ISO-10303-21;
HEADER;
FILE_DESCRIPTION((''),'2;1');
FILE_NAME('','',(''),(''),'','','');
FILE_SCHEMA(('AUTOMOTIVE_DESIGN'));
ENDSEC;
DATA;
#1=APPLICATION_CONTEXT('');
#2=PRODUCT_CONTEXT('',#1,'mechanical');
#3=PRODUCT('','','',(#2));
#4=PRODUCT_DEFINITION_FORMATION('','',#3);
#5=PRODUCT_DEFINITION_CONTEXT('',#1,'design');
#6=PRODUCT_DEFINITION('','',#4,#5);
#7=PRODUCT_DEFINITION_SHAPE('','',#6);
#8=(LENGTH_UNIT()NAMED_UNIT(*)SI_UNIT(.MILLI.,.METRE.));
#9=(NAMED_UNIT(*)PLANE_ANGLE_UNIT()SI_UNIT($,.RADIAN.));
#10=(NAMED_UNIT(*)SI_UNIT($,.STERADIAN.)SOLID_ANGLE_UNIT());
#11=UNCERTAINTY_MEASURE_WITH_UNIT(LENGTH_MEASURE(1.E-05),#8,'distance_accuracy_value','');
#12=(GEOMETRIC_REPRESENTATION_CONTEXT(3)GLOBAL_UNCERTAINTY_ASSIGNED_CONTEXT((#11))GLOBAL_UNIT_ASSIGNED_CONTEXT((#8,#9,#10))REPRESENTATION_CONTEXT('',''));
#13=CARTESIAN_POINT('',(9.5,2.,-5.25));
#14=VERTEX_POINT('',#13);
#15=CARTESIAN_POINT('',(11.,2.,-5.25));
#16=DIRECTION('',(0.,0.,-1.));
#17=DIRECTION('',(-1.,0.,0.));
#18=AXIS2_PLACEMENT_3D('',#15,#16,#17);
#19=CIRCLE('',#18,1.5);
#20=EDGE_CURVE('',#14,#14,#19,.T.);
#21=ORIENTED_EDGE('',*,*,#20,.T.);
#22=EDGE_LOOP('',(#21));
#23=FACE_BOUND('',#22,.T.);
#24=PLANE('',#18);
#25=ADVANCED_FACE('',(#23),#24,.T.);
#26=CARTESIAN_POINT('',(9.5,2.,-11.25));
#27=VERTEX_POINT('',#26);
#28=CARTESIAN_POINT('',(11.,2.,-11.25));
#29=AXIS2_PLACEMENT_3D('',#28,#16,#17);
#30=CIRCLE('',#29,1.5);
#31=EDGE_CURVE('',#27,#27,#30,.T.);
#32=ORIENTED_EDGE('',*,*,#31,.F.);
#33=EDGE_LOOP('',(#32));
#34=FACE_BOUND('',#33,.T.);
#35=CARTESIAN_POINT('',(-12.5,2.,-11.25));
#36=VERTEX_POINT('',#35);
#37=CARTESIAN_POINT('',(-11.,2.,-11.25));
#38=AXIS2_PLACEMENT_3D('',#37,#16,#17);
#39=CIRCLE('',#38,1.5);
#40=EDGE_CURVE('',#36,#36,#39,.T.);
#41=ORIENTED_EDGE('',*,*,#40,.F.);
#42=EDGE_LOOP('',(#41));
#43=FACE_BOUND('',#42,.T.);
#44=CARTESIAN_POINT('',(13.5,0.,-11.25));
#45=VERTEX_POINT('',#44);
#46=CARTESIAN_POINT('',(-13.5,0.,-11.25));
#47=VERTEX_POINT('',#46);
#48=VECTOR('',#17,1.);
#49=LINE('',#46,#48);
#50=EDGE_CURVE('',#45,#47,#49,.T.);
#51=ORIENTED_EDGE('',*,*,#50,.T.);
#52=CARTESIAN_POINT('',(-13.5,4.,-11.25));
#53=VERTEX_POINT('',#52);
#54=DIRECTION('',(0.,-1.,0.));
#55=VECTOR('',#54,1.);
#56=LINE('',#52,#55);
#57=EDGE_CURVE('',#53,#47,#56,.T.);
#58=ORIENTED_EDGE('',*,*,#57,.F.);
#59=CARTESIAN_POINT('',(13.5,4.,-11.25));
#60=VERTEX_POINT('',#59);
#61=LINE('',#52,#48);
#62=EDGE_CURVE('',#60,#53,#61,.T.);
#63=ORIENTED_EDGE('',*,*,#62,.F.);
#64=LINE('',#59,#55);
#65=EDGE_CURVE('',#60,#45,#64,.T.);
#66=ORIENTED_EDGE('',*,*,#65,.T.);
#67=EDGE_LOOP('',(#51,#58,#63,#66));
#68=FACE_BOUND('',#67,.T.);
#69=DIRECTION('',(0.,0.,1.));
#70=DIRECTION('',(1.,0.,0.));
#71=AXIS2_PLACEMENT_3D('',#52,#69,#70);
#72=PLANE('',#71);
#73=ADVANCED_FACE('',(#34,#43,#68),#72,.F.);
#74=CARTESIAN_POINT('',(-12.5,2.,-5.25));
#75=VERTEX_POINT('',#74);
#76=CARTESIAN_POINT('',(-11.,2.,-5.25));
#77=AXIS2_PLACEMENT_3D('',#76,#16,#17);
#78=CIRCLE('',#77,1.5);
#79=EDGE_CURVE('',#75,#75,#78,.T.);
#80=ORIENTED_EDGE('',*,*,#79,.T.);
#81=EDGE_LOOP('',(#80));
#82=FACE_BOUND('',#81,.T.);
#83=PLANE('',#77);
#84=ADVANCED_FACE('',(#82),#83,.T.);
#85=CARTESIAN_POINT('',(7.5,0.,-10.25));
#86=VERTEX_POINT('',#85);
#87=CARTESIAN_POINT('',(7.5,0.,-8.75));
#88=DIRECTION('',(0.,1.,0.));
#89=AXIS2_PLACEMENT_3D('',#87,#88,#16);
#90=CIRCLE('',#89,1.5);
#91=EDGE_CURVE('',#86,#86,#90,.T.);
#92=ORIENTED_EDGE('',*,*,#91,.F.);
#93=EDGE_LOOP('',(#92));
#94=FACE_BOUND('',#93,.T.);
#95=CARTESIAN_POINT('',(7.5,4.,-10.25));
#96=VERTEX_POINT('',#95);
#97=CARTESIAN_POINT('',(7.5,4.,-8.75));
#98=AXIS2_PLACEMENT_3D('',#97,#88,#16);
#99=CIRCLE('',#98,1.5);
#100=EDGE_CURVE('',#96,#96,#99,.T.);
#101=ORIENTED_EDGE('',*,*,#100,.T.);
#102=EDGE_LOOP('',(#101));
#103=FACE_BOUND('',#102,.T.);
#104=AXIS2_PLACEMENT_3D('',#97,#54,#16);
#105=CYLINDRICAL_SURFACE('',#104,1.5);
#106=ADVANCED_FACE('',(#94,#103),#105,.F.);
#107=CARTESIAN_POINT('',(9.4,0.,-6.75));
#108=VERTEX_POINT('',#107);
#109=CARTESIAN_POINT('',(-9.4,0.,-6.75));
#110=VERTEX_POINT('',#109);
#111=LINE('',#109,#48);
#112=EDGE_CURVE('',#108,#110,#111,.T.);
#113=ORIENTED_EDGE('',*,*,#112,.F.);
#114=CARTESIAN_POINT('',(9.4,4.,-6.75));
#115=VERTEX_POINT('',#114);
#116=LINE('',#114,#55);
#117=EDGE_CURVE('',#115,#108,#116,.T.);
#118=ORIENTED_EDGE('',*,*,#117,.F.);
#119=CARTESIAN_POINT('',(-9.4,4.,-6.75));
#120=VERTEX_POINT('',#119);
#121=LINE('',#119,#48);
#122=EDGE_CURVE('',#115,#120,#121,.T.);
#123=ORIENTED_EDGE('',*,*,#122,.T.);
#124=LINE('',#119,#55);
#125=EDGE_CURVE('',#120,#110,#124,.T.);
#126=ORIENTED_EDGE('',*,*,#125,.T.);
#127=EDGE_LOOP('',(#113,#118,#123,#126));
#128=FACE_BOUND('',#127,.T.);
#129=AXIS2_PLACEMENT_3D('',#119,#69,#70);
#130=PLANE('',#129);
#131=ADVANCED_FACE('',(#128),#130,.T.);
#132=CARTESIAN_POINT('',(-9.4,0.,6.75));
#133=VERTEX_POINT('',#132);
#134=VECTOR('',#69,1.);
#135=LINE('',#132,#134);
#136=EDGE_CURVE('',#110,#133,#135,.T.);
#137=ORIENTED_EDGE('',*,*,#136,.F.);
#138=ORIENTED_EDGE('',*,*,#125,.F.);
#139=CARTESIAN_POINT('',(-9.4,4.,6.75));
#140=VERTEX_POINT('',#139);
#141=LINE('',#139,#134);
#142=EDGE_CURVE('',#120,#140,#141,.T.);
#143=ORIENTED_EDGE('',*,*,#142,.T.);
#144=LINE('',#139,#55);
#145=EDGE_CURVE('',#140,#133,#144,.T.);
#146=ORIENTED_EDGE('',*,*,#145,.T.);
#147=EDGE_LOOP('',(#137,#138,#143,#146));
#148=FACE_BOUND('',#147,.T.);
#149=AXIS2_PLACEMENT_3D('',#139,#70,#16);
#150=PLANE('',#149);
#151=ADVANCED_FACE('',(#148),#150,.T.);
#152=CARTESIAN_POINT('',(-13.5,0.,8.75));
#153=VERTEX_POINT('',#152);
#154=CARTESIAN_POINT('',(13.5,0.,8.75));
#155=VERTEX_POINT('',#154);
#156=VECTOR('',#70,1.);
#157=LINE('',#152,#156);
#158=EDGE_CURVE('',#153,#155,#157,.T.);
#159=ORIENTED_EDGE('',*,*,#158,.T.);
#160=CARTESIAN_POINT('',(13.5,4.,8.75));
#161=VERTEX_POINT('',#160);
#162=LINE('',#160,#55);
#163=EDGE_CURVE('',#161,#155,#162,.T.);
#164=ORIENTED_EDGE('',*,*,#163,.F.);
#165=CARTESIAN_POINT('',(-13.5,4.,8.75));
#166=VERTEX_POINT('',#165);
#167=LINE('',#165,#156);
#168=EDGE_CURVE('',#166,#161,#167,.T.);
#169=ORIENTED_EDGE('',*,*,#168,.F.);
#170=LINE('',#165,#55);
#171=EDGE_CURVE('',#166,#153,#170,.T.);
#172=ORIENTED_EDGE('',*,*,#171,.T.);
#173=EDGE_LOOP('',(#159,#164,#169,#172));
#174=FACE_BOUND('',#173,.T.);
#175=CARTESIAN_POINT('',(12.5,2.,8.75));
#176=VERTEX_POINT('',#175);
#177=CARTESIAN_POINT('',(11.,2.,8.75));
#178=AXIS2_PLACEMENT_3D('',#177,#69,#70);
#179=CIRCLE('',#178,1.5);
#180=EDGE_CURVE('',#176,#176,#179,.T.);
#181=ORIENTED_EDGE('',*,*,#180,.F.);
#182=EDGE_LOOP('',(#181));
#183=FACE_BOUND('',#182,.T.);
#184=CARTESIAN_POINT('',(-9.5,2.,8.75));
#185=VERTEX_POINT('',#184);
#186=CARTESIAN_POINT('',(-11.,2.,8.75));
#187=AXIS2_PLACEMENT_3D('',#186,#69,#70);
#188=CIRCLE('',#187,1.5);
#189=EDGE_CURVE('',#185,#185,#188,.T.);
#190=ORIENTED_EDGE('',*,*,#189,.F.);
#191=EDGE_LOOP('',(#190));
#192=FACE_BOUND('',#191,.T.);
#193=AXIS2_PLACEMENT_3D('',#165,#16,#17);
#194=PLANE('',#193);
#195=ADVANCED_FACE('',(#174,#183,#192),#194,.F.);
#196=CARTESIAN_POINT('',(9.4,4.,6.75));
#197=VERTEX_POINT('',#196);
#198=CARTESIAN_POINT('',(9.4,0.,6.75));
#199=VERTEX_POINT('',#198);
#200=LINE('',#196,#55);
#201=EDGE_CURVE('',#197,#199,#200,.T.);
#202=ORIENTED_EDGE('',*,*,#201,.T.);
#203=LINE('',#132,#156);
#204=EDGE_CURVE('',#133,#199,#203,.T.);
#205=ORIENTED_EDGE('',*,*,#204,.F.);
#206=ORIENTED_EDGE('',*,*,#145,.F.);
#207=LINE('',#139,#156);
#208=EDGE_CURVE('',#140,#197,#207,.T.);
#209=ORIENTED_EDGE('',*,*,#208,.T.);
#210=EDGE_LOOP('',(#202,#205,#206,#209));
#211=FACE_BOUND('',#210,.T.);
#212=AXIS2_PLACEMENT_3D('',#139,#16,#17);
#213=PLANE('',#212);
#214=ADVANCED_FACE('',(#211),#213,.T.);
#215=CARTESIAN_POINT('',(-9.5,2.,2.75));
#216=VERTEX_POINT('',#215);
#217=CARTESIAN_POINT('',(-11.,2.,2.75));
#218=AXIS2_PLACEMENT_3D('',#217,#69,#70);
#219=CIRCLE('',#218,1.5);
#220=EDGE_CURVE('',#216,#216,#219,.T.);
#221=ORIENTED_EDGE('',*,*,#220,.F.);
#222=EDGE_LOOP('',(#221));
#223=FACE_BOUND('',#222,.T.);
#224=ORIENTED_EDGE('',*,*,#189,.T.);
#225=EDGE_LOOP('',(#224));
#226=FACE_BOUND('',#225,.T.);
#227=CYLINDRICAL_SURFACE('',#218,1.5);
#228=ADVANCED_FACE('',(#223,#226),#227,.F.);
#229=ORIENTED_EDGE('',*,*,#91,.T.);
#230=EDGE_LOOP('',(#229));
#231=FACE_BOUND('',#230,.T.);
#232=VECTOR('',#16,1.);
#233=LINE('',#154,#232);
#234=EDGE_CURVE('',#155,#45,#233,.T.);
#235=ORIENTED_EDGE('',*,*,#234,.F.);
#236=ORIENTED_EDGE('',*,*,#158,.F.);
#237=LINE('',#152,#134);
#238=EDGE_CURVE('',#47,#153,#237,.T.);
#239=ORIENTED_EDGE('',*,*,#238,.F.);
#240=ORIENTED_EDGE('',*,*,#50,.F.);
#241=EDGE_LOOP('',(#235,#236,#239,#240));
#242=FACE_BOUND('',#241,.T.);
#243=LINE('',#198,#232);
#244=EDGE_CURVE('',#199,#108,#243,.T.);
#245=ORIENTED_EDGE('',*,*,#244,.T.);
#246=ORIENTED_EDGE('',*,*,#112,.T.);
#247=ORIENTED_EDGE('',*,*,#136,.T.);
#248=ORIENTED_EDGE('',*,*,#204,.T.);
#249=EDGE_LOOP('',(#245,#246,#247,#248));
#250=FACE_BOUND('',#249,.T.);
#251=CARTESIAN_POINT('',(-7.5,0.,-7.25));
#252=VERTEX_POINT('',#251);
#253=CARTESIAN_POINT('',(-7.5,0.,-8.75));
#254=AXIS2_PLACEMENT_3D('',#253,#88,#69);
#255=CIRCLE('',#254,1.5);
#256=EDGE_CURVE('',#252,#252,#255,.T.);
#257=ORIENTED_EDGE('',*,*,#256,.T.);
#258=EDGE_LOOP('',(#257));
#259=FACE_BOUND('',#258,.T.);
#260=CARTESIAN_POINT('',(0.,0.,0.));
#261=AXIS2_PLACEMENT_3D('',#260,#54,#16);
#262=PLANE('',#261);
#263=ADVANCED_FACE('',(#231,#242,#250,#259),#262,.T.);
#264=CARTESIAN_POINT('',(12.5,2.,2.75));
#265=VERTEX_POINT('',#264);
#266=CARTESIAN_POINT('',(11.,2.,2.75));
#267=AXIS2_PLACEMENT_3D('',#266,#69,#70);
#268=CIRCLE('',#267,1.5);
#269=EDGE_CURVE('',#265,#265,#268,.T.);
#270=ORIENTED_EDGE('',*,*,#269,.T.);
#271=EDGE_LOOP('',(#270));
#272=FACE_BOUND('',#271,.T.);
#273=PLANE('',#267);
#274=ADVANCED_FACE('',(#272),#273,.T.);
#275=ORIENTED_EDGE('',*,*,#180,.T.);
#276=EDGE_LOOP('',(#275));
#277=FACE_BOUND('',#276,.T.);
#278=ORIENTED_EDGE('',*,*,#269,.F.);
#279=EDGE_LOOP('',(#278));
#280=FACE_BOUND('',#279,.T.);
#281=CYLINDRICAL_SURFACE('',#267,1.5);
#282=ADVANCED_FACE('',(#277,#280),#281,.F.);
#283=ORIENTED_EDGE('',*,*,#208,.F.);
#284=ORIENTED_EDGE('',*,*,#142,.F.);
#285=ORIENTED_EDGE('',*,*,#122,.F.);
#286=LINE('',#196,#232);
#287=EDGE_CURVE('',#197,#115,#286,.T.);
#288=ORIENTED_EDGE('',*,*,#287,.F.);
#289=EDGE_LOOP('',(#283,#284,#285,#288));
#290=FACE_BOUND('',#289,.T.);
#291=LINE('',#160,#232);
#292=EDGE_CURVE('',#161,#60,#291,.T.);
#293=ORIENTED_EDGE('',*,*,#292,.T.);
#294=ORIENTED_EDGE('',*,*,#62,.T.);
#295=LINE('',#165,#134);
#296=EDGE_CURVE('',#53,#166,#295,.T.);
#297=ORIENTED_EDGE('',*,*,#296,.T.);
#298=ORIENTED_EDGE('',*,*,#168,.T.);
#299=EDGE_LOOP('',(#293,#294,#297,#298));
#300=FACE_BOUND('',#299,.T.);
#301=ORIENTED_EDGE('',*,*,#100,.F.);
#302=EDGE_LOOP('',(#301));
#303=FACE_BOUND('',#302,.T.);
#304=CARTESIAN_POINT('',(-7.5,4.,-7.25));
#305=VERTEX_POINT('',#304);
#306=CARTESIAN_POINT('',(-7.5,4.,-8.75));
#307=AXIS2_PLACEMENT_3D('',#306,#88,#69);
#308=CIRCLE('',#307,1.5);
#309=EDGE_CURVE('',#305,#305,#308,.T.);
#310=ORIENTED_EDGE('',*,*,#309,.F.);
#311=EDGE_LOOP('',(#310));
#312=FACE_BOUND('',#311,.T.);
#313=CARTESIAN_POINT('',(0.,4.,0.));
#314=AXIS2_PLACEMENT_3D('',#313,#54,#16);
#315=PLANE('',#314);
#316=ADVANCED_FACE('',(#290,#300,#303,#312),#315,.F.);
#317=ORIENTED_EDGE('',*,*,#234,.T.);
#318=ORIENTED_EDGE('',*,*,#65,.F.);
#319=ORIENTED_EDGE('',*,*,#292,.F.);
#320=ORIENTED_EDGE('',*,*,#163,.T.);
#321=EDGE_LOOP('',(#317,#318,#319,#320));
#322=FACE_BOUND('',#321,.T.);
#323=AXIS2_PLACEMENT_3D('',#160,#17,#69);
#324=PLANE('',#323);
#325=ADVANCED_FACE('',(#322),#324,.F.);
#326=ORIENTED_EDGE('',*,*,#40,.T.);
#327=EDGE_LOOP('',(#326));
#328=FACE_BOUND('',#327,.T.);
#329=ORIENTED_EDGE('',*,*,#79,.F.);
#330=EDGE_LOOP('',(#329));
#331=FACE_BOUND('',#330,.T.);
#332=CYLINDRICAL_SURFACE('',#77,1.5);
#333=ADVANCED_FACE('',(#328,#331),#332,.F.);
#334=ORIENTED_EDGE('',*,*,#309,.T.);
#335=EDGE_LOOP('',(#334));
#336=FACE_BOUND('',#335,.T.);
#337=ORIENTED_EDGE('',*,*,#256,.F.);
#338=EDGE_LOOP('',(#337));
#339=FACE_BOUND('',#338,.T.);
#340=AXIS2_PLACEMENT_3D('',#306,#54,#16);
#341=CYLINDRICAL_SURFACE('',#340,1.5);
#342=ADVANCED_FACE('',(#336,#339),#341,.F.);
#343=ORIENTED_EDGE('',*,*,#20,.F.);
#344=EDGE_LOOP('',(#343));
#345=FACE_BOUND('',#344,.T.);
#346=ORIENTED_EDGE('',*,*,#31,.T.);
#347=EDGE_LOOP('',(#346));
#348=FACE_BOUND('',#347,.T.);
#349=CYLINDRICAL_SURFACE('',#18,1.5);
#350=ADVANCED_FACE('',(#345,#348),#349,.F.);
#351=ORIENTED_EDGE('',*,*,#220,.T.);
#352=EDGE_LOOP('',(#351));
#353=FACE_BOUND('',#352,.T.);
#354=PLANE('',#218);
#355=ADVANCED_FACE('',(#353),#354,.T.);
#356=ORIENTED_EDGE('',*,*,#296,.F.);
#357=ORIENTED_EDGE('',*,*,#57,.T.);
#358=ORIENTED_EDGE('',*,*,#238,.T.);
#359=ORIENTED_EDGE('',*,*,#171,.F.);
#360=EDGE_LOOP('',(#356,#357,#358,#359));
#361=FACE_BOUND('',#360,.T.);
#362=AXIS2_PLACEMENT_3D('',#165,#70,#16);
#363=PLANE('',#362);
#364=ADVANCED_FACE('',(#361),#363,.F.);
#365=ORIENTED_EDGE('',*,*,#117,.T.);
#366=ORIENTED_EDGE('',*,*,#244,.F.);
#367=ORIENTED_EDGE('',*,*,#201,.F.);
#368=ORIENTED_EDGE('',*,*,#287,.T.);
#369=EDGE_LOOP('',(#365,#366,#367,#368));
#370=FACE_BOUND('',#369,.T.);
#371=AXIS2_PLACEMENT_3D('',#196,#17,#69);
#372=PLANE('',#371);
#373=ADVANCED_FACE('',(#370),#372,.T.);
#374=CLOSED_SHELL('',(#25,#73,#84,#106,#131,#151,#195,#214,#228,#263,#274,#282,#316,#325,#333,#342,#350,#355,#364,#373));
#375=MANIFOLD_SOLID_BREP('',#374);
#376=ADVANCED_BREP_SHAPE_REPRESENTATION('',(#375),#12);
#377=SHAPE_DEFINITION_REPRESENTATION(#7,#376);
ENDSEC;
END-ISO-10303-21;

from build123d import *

# Parameters (mm, degrees)
SKETCH1_W           = 27
SKETCH1_H           = 20
SKETCH1_R           = 1.5
SKETCH1_W_2         = 18.8
SKETCH1_H_2         = 13.5
BOSS_EXTRUDE1_DEPTH = 4
SKETCH2_R           = 1.5
CUT_EXTRUDE2_DEPTH  = 6
CUT_EXTRUDE3_START  = -6
SKETCH5_R           = 1.5
CUT_EXTRUDE3_DEPTH  = 6


with BuildPart() as part:
    # Sketch1 → Boss-Extrude1 (new body)
    with BuildSketch(Plane(origin=(0, 0, 0), x_dir=(1, 0, 0), z_dir=(0, 1, 0))):
        with Locations((0, 1.25)):
            Rectangle(SKETCH1_W, SKETCH1_H)
        with Locations(Location((-7.5, 8.75, 0), (0, 0, 270))):
            Circle(SKETCH1_R, mode=Mode.SUBTRACT)
        with Locations(Location((7.5, 8.75, 0), (0, 0, 90))):
            Circle(SKETCH1_R, mode=Mode.SUBTRACT)
        Rectangle(SKETCH1_W_2, SKETCH1_H_2, mode=Mode.SUBTRACT)
    extrude(amount=BOSS_EXTRUDE1_DEPTH)

    # Sketch2 → Cut-Extrude2 (cut)
    with BuildSketch(Plane(origin=(0, 0, -11.25), x_dir=(-1, 0, 0), z_dir=(0, 0, -1))):
        with Locations((11, 2)):
            Circle(SKETCH2_R)
        with Locations((-11, 2)):
            Circle(SKETCH2_R)
    extrude(amount=-CUT_EXTRUDE2_DEPTH, mode=Mode.SUBTRACT)

    # Sketch5 → Cut-Extrude3 (cut)
    with BuildSketch(Plane.XY.offset(8.75).offset(CUT_EXTRUDE3_START)):
        with Locations(Location((11, 2, 0), (0, 0, 180))):
            Circle(SKETCH5_R)
        with Locations(Location((-11, 2, 0), (0, 0, 180))):
            Circle(SKETCH5_R)
    extrude(amount=CUT_EXTRUDE3_DEPTH, mode=Mode.SUBTRACT)


solid = part.part
